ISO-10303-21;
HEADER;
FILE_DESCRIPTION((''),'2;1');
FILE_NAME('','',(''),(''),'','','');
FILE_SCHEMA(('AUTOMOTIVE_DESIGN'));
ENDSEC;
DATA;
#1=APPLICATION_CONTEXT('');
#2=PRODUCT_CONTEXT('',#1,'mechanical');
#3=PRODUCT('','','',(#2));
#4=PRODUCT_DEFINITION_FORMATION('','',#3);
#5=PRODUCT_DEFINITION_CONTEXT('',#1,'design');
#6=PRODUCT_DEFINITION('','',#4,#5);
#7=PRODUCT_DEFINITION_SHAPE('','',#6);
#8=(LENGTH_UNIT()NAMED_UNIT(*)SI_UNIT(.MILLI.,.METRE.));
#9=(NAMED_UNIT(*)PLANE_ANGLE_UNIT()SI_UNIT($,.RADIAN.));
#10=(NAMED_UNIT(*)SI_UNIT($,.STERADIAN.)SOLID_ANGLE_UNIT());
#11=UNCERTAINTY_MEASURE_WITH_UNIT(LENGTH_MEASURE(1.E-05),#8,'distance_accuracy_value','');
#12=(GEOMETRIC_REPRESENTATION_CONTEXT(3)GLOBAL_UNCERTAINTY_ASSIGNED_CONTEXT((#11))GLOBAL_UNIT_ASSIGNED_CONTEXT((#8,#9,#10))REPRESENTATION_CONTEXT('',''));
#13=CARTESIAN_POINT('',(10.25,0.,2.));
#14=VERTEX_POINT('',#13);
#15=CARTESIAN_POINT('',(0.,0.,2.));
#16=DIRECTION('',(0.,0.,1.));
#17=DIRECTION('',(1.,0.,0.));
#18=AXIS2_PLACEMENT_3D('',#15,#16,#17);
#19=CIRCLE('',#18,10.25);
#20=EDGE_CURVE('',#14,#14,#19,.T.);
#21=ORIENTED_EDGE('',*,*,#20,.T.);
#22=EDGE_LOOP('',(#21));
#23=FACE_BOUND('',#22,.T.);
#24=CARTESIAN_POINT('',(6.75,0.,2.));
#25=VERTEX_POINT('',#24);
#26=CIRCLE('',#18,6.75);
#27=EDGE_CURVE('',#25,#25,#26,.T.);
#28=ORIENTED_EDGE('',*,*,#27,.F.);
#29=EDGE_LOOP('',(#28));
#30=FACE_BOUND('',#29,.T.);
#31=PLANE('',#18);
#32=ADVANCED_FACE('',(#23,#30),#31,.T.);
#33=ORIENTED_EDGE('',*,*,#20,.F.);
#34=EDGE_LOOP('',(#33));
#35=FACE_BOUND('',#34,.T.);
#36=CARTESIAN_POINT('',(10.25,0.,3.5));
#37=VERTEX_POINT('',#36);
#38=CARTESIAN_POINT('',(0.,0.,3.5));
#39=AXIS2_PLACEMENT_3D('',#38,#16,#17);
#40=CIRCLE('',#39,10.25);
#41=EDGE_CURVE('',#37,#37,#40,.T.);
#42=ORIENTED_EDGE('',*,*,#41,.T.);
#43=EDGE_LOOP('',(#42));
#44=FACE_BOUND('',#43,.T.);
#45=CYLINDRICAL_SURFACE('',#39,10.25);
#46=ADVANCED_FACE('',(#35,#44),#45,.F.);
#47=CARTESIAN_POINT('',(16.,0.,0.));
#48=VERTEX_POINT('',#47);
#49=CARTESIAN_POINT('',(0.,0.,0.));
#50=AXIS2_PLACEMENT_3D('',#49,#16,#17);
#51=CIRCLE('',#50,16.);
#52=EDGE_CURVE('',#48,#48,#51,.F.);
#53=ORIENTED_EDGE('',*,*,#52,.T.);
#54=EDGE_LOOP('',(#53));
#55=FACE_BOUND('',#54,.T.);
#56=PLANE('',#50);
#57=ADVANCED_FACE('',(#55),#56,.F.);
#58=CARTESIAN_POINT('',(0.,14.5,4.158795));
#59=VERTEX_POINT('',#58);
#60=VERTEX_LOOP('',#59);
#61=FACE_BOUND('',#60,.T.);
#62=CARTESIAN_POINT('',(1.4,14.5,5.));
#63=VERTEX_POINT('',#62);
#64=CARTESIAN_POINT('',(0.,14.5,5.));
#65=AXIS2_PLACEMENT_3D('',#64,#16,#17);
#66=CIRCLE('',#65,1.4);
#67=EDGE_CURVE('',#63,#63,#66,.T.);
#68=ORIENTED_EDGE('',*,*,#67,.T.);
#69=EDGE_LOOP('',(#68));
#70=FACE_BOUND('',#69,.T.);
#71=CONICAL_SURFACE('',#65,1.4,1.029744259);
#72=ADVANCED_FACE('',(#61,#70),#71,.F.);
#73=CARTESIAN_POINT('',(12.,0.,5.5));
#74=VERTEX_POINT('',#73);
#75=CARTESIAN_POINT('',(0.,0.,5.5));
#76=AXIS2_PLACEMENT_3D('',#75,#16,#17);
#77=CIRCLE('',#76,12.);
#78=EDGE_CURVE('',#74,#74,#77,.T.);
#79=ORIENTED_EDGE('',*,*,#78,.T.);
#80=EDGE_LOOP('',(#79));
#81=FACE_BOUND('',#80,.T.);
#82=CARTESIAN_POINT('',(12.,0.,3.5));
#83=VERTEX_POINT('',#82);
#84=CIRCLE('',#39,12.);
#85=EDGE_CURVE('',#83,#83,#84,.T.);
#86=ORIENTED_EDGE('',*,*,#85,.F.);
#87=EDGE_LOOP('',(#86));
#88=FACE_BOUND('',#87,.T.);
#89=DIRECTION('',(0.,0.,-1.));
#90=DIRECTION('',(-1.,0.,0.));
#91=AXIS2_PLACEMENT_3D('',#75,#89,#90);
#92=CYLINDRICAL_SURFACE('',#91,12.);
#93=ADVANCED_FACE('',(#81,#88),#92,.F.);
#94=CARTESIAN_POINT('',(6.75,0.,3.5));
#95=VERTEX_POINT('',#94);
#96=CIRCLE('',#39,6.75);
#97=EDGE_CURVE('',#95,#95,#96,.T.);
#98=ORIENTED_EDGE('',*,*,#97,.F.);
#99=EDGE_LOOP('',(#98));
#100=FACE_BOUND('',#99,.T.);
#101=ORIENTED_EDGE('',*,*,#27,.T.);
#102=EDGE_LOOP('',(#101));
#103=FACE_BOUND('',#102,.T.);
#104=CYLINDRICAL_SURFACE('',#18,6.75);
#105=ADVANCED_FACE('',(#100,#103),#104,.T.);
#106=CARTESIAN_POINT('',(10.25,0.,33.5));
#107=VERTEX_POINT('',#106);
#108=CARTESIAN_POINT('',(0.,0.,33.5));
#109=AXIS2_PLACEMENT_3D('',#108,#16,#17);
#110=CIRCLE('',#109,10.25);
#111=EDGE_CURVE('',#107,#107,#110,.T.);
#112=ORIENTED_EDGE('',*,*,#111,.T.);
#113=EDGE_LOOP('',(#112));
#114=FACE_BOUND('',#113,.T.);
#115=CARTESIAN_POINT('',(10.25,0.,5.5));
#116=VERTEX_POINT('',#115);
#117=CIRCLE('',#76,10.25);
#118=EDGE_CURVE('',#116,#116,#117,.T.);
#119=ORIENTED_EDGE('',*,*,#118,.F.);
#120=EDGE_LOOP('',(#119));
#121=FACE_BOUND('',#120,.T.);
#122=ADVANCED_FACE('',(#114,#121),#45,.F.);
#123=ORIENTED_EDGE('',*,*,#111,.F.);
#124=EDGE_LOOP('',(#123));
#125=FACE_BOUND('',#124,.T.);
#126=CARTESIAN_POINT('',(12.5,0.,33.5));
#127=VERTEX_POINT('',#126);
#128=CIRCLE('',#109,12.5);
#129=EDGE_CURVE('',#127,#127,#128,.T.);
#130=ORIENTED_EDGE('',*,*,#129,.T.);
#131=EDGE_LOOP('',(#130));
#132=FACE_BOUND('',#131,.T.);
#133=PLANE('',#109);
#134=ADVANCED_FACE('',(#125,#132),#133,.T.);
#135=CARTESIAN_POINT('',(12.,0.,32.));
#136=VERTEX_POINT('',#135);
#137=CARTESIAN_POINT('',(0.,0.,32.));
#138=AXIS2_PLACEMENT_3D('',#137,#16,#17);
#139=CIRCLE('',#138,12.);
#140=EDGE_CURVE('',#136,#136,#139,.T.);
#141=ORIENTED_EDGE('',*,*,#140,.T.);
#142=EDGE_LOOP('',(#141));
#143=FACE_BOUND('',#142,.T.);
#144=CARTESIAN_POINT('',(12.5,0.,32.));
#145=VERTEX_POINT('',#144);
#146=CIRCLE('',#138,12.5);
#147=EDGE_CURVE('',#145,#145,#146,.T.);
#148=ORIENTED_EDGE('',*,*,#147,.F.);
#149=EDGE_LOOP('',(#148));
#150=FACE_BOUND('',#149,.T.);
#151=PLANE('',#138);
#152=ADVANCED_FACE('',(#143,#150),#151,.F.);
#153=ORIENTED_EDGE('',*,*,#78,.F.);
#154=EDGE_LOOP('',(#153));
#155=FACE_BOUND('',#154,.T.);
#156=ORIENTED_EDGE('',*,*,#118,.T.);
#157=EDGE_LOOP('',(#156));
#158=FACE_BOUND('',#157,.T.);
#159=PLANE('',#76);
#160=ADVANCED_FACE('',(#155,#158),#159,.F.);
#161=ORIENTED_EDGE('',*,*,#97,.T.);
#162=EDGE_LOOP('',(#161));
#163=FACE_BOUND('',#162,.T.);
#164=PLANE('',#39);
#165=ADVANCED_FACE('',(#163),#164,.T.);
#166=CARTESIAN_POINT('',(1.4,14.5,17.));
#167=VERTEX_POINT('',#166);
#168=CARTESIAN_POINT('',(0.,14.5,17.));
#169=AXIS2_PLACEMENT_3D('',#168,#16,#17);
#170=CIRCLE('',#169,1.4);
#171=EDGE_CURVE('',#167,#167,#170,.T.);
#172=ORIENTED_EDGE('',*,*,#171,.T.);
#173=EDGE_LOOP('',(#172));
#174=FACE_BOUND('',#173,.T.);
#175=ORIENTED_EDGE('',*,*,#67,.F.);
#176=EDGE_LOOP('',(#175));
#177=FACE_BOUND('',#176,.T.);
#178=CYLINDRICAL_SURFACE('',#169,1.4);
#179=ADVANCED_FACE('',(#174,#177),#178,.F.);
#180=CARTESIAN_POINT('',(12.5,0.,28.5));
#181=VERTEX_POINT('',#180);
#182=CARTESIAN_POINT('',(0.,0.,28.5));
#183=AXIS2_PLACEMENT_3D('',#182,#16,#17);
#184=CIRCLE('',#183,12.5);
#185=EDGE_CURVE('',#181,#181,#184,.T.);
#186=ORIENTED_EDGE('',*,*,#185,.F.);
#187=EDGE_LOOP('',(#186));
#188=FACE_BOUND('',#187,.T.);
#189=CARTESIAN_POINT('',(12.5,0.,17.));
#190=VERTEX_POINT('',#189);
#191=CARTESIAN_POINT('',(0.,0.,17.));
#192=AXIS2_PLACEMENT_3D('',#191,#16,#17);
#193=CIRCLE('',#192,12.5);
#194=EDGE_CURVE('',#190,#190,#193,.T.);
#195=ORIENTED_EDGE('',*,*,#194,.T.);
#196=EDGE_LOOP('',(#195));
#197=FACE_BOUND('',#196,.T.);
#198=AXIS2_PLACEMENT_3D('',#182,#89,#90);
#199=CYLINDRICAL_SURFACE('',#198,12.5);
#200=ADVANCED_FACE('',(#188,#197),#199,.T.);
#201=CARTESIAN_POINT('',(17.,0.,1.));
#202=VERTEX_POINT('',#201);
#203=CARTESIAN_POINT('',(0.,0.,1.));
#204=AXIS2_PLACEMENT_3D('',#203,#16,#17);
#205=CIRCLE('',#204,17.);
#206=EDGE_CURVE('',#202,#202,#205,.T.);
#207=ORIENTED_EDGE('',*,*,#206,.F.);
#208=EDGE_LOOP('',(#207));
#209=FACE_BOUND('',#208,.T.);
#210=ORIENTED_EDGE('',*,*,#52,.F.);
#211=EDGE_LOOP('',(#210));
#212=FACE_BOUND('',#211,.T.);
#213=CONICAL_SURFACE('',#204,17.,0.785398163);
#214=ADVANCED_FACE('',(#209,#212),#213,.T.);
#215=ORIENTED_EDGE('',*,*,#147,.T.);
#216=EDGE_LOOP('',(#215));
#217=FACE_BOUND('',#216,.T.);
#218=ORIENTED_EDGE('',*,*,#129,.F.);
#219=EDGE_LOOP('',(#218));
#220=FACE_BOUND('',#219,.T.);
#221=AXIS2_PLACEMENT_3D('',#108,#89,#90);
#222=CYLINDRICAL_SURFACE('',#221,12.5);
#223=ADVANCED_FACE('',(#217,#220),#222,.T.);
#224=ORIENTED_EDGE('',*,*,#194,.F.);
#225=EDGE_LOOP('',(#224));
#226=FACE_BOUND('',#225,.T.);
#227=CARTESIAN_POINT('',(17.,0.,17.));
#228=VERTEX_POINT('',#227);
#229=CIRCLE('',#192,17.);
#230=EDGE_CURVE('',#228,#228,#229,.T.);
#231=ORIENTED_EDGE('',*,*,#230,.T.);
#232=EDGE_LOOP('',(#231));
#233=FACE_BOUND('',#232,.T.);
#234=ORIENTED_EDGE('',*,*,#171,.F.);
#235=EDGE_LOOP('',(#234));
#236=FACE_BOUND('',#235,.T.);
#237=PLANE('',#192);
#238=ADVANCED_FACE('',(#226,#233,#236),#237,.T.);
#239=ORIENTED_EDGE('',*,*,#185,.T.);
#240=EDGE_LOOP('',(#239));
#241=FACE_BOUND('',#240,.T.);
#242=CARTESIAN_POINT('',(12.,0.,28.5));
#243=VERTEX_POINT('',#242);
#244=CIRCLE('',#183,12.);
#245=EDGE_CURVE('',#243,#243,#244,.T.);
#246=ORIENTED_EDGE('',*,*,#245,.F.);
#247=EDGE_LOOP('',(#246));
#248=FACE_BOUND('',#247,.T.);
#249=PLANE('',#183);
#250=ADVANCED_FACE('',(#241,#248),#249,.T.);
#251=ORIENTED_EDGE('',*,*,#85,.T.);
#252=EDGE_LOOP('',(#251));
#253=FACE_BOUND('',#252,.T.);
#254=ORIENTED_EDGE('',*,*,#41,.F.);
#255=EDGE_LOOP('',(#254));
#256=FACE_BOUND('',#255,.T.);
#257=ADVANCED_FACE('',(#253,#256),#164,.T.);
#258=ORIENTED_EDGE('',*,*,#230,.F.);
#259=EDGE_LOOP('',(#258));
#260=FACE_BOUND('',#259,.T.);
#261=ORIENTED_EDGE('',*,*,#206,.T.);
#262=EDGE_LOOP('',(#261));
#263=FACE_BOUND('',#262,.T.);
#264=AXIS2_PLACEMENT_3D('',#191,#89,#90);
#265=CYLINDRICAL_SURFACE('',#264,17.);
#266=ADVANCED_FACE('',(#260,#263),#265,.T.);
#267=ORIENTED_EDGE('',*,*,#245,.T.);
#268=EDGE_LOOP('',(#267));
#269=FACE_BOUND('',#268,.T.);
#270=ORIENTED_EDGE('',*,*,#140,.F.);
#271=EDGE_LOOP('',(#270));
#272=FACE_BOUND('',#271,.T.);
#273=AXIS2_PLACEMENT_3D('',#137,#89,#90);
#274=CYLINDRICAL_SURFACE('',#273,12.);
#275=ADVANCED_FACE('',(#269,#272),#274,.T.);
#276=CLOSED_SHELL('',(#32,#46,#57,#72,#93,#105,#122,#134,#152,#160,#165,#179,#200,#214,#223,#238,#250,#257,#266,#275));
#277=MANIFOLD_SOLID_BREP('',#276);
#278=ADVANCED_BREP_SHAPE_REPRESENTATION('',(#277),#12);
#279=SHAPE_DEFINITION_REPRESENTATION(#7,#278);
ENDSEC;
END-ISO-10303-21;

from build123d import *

# Parameters (mm, degrees)
ESQUISSE1_R                    = 17
BOSS_EXTRU_1_DEPTH             = 17
ESQUISSE2_R                    = 12.5
BOSS_EXTRU_2_DEPTH             = 11.5
ESQUISSE3_R                    = 12
BOSS_EXTRU_3_DEPTH             = 3.5
ESQUISSE4_R                    = 12.5
BOSS_EXTRU_4_DEPTH             = 1.5
ESQUISSE5_R                    = 10.25
ENL_V_MAT_EXTRU_1_DEPTH        = 30
ESQUISSE6_R                    = 10.25
ESQUISSE6_R_2                  = 6.75
ENL_V_MAT_EXTRU_2_DEPTH        = 1.5
ESQUISSE7_R                    = 12
ESQUISSE7_R_2                  = 10.25
ENL_V_MAT_EXTRU_3_DEPTH        = 2
F_2_8_2_8_DIAMETER_HOLE1_D     = 2.8
F_2_8_2_8_DIAMETER_HOLE1_DEPTH = 12
F_2_8_2_8_DIAMETER_HOLE1_TIP   = 0.841204867
CHANFREIN1_SIZE                = 1


with BuildPart() as part:
    # Esquisse1 → Boss.-Extru.1 (new body)
    with BuildSketch(Plane.XY):
        Circle(ESQUISSE1_R)
    extrude(amount=BOSS_EXTRU_1_DEPTH)

    # Esquisse2 → Boss.-Extru.2 (add)
    with BuildSketch(Plane.XY.offset(17)):
        Circle(ESQUISSE2_R)
    extrude(amount=BOSS_EXTRU_2_DEPTH)

    # Esquisse3 → Boss.-Extru.3 (add)
    with BuildSketch(Plane.XY.offset(28.5)):
        Circle(ESQUISSE3_R)
    extrude(amount=BOSS_EXTRU_3_DEPTH)

    # Esquisse4 → Boss.-Extru.4 (add)
    with BuildSketch(Plane.XY.offset(32)):
        Circle(ESQUISSE4_R)
    extrude(amount=BOSS_EXTRU_4_DEPTH)

    # Esquisse5 → Enlèv. mat.-Extru.1 (cut)
    with BuildSketch(Plane.XY.offset(33.5)):
        Circle(ESQUISSE5_R)
    extrude(amount=-ENL_V_MAT_EXTRU_1_DEPTH, mode=Mode.SUBTRACT)

    # Esquisse6 → Enlèv. mat.-Extru.2 (cut)
    with BuildSketch(Plane.XY.offset(3.5)):
        Circle(ESQUISSE6_R)
        Circle(ESQUISSE6_R_2, mode=Mode.SUBTRACT)
    extrude(amount=-ENL_V_MAT_EXTRU_2_DEPTH, mode=Mode.SUBTRACT)

    # Esquisse7 → Enlèv. mat.-Extru.3 (cut)
    with BuildSketch(Plane.XY.offset(3.5)):
        Circle(ESQUISSE7_R)
        Circle(ESQUISSE7_R_2, mode=Mode.SUBTRACT)
    extrude(amount=ENL_V_MAT_EXTRU_3_DEPTH, mode=Mode.SUBTRACT)

    # Ø2.8 (2.8) Diameter Hole1
    with Locations(Plane.XY.offset(17)):
        with Locations((0, 14.5)):
            Hole(F_2_8_2_8_DIAMETER_HOLE1_D / 2, depth=F_2_8_2_8_DIAMETER_HOLE1_DEPTH)
            with Locations((0, 0, -(F_2_8_2_8_DIAMETER_HOLE1_DEPTH + F_2_8_2_8_DIAMETER_HOLE1_TIP / 2))):  # 118° drill point
                Cone(0, F_2_8_2_8_DIAMETER_HOLE1_D / 2, F_2_8_2_8_DIAMETER_HOLE1_TIP, mode=Mode.SUBTRACT)

    # Chanfrein1
    chanfrein1_edges = [part.edges().sort_by_distance(p)[0] for p in [
        (-17, 0, 0),
    ]]
    chamfer(chanfrein1_edges, length=CHANFREIN1_SIZE)


solid = part.part
